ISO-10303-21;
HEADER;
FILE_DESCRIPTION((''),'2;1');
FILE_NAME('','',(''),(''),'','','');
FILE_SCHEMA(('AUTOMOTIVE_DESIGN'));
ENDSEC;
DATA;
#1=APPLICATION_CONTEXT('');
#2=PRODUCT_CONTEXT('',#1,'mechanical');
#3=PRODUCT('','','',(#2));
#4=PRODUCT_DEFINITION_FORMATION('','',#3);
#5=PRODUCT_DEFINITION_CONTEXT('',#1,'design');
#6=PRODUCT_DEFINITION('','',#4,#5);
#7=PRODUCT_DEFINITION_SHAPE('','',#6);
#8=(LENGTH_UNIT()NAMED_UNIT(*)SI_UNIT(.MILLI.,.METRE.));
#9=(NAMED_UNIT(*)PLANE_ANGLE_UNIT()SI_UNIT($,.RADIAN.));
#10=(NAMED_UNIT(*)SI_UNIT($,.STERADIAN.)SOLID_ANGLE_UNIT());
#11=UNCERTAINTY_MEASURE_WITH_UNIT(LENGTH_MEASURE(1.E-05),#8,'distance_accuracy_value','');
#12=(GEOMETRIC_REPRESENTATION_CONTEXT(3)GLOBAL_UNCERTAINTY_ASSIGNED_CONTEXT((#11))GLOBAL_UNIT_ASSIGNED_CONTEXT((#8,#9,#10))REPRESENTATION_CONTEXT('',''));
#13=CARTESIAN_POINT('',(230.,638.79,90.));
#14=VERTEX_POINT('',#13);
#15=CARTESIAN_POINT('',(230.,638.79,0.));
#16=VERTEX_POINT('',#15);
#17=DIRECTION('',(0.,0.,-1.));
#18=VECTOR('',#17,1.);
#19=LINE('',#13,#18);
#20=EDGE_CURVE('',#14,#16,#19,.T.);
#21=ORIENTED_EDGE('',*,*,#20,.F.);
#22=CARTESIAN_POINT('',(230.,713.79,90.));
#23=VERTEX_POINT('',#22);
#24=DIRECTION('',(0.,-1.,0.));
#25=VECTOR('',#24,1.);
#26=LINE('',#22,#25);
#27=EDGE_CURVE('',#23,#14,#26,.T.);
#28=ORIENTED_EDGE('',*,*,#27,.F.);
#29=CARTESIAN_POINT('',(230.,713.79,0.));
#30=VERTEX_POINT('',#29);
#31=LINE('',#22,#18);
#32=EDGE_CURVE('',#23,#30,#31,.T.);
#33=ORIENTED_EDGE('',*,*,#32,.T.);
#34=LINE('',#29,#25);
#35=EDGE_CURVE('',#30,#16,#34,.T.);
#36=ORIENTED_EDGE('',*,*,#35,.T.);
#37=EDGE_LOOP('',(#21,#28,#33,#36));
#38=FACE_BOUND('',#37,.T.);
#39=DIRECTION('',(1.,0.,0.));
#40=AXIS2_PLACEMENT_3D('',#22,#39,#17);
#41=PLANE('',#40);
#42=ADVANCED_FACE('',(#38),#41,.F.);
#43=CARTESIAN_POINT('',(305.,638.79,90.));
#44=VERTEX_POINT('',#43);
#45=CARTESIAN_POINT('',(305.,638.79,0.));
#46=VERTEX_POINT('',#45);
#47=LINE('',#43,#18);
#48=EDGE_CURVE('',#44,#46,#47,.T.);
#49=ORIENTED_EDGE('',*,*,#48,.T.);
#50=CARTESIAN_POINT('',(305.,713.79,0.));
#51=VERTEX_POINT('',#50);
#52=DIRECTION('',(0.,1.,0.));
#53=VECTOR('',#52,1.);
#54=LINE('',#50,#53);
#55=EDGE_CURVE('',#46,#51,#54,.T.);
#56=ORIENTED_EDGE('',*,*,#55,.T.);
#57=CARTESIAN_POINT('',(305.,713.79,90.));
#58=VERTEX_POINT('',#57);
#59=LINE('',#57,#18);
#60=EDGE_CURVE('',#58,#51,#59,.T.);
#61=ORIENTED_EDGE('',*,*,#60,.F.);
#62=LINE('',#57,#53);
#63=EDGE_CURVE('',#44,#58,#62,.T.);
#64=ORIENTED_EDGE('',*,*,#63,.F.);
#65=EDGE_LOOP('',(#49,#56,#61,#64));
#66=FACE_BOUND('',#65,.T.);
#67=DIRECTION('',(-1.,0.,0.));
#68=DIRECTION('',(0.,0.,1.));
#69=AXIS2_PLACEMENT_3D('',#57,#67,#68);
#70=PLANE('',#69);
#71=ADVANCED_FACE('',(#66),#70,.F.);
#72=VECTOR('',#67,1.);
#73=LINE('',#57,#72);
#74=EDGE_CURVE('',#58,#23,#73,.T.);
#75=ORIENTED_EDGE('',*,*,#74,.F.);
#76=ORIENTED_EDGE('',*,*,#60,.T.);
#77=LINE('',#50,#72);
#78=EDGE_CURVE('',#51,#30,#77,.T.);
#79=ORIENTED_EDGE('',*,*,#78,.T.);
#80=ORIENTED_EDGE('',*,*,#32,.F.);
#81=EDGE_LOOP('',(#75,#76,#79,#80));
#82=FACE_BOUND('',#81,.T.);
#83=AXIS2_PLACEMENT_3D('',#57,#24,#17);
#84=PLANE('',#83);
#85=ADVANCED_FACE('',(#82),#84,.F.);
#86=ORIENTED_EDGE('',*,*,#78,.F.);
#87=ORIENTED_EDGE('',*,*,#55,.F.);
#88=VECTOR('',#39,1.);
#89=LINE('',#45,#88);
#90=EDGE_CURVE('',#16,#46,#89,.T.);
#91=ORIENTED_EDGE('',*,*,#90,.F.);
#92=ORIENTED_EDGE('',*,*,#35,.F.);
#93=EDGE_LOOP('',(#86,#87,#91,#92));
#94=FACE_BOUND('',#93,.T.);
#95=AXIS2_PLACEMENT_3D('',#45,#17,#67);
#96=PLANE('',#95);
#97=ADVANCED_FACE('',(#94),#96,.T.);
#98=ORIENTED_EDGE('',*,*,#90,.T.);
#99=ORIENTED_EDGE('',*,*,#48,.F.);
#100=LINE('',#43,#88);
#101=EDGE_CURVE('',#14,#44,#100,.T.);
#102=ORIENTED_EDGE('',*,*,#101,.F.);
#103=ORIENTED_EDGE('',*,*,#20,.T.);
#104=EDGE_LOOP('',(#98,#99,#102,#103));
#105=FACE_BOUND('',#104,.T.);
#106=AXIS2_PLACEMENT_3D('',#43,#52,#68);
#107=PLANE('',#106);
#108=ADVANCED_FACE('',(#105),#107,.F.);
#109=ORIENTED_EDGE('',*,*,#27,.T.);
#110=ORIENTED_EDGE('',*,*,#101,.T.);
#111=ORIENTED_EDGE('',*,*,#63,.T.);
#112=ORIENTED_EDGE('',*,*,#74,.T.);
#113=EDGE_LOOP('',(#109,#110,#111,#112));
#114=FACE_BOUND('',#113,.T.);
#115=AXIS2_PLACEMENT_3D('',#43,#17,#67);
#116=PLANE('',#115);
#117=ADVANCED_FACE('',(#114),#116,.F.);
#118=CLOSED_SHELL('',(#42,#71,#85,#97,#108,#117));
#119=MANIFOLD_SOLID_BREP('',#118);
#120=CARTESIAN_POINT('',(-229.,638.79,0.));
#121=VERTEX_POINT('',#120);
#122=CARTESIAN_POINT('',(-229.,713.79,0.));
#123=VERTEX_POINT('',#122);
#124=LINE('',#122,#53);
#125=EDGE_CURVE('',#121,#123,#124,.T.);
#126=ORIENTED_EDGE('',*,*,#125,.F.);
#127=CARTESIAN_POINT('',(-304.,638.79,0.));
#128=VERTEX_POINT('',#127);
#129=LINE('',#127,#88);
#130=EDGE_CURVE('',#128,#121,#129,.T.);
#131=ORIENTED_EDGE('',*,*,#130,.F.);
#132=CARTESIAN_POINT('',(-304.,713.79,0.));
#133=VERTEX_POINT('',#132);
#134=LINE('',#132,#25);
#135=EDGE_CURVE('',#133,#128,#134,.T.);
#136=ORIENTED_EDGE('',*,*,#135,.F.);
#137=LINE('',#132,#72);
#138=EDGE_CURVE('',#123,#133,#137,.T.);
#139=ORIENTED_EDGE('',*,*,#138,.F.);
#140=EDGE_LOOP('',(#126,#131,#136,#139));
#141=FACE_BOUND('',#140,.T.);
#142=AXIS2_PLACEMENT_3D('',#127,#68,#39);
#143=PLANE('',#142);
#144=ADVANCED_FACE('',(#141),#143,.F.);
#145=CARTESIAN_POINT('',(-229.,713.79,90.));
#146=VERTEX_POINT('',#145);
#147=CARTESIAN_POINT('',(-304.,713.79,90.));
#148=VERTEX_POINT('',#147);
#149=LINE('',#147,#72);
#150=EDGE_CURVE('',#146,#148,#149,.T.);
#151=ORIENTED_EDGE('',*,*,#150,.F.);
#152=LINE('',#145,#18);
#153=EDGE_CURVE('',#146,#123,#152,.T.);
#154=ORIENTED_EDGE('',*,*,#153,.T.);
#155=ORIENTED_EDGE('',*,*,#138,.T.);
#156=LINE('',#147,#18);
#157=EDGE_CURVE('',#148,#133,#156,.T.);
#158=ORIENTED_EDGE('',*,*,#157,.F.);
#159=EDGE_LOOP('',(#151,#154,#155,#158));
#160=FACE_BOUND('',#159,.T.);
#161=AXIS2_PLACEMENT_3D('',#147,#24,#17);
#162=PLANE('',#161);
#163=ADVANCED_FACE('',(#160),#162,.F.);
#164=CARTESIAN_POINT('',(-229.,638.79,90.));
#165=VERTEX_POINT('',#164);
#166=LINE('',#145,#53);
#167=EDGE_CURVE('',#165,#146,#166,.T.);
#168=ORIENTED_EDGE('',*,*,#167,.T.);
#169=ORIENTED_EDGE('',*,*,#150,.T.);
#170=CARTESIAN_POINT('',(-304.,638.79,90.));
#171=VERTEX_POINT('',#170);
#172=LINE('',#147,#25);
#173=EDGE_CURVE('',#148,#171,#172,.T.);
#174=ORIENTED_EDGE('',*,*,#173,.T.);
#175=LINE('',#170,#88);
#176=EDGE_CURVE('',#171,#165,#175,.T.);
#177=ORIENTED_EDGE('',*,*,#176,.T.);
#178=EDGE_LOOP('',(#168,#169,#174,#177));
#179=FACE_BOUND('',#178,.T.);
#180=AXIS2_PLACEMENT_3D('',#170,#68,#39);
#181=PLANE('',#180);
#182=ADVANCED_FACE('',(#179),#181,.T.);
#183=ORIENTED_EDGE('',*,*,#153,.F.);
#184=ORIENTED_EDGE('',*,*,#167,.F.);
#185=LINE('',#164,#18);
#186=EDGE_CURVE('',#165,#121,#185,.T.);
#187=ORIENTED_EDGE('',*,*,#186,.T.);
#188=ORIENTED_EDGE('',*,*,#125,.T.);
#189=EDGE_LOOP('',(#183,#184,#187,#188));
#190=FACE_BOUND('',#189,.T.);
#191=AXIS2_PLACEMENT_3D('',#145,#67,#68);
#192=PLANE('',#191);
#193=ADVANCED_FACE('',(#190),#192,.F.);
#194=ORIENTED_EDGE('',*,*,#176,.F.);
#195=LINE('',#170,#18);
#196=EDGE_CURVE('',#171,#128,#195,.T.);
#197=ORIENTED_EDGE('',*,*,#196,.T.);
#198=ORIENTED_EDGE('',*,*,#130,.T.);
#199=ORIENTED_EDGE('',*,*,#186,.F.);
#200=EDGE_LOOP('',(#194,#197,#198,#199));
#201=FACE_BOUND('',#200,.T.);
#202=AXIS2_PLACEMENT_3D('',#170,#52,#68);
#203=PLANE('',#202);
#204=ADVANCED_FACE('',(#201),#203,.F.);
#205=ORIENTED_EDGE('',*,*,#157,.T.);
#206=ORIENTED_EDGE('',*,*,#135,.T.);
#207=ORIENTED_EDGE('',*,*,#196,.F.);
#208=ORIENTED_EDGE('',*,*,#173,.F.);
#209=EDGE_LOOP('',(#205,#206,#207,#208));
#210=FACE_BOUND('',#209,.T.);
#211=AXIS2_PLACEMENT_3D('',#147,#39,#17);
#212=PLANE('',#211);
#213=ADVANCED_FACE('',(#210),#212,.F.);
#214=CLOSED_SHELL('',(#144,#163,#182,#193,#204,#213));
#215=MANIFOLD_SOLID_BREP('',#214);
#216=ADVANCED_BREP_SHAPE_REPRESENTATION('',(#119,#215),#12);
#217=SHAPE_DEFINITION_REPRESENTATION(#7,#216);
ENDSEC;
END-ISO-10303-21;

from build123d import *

# Parameters (mm, degrees)
SKETCH1_W             = 75
SKETCH1_H             = 75
BOSS_EXTRUDE1_DEPTH   = 90
BOSS_EXTRUDE1_2_DEPTH = 90


with BuildPart() as part:
    # Sketch1 → Boss-Extrude1 (new body)
    with BuildSketch(Plane.XY):
        with Locations((267.5, 676.29)):
            Rectangle(SKETCH1_W, SKETCH1_H)
    extrude(amount=BOSS_EXTRUDE1_DEPTH)


with BuildPart() as body_2:
    # Sketch1 → Boss-Extrude1 2 (new body)
    with BuildSketch(Plane.XY):
        with Locations((-266.5, 676.29)):
            Rectangle(SKETCH1_W, SKETCH1_H)
    extrude(amount=BOSS_EXTRUDE1_2_DEPTH)


solid = Compound([part.part, body_2.part])
